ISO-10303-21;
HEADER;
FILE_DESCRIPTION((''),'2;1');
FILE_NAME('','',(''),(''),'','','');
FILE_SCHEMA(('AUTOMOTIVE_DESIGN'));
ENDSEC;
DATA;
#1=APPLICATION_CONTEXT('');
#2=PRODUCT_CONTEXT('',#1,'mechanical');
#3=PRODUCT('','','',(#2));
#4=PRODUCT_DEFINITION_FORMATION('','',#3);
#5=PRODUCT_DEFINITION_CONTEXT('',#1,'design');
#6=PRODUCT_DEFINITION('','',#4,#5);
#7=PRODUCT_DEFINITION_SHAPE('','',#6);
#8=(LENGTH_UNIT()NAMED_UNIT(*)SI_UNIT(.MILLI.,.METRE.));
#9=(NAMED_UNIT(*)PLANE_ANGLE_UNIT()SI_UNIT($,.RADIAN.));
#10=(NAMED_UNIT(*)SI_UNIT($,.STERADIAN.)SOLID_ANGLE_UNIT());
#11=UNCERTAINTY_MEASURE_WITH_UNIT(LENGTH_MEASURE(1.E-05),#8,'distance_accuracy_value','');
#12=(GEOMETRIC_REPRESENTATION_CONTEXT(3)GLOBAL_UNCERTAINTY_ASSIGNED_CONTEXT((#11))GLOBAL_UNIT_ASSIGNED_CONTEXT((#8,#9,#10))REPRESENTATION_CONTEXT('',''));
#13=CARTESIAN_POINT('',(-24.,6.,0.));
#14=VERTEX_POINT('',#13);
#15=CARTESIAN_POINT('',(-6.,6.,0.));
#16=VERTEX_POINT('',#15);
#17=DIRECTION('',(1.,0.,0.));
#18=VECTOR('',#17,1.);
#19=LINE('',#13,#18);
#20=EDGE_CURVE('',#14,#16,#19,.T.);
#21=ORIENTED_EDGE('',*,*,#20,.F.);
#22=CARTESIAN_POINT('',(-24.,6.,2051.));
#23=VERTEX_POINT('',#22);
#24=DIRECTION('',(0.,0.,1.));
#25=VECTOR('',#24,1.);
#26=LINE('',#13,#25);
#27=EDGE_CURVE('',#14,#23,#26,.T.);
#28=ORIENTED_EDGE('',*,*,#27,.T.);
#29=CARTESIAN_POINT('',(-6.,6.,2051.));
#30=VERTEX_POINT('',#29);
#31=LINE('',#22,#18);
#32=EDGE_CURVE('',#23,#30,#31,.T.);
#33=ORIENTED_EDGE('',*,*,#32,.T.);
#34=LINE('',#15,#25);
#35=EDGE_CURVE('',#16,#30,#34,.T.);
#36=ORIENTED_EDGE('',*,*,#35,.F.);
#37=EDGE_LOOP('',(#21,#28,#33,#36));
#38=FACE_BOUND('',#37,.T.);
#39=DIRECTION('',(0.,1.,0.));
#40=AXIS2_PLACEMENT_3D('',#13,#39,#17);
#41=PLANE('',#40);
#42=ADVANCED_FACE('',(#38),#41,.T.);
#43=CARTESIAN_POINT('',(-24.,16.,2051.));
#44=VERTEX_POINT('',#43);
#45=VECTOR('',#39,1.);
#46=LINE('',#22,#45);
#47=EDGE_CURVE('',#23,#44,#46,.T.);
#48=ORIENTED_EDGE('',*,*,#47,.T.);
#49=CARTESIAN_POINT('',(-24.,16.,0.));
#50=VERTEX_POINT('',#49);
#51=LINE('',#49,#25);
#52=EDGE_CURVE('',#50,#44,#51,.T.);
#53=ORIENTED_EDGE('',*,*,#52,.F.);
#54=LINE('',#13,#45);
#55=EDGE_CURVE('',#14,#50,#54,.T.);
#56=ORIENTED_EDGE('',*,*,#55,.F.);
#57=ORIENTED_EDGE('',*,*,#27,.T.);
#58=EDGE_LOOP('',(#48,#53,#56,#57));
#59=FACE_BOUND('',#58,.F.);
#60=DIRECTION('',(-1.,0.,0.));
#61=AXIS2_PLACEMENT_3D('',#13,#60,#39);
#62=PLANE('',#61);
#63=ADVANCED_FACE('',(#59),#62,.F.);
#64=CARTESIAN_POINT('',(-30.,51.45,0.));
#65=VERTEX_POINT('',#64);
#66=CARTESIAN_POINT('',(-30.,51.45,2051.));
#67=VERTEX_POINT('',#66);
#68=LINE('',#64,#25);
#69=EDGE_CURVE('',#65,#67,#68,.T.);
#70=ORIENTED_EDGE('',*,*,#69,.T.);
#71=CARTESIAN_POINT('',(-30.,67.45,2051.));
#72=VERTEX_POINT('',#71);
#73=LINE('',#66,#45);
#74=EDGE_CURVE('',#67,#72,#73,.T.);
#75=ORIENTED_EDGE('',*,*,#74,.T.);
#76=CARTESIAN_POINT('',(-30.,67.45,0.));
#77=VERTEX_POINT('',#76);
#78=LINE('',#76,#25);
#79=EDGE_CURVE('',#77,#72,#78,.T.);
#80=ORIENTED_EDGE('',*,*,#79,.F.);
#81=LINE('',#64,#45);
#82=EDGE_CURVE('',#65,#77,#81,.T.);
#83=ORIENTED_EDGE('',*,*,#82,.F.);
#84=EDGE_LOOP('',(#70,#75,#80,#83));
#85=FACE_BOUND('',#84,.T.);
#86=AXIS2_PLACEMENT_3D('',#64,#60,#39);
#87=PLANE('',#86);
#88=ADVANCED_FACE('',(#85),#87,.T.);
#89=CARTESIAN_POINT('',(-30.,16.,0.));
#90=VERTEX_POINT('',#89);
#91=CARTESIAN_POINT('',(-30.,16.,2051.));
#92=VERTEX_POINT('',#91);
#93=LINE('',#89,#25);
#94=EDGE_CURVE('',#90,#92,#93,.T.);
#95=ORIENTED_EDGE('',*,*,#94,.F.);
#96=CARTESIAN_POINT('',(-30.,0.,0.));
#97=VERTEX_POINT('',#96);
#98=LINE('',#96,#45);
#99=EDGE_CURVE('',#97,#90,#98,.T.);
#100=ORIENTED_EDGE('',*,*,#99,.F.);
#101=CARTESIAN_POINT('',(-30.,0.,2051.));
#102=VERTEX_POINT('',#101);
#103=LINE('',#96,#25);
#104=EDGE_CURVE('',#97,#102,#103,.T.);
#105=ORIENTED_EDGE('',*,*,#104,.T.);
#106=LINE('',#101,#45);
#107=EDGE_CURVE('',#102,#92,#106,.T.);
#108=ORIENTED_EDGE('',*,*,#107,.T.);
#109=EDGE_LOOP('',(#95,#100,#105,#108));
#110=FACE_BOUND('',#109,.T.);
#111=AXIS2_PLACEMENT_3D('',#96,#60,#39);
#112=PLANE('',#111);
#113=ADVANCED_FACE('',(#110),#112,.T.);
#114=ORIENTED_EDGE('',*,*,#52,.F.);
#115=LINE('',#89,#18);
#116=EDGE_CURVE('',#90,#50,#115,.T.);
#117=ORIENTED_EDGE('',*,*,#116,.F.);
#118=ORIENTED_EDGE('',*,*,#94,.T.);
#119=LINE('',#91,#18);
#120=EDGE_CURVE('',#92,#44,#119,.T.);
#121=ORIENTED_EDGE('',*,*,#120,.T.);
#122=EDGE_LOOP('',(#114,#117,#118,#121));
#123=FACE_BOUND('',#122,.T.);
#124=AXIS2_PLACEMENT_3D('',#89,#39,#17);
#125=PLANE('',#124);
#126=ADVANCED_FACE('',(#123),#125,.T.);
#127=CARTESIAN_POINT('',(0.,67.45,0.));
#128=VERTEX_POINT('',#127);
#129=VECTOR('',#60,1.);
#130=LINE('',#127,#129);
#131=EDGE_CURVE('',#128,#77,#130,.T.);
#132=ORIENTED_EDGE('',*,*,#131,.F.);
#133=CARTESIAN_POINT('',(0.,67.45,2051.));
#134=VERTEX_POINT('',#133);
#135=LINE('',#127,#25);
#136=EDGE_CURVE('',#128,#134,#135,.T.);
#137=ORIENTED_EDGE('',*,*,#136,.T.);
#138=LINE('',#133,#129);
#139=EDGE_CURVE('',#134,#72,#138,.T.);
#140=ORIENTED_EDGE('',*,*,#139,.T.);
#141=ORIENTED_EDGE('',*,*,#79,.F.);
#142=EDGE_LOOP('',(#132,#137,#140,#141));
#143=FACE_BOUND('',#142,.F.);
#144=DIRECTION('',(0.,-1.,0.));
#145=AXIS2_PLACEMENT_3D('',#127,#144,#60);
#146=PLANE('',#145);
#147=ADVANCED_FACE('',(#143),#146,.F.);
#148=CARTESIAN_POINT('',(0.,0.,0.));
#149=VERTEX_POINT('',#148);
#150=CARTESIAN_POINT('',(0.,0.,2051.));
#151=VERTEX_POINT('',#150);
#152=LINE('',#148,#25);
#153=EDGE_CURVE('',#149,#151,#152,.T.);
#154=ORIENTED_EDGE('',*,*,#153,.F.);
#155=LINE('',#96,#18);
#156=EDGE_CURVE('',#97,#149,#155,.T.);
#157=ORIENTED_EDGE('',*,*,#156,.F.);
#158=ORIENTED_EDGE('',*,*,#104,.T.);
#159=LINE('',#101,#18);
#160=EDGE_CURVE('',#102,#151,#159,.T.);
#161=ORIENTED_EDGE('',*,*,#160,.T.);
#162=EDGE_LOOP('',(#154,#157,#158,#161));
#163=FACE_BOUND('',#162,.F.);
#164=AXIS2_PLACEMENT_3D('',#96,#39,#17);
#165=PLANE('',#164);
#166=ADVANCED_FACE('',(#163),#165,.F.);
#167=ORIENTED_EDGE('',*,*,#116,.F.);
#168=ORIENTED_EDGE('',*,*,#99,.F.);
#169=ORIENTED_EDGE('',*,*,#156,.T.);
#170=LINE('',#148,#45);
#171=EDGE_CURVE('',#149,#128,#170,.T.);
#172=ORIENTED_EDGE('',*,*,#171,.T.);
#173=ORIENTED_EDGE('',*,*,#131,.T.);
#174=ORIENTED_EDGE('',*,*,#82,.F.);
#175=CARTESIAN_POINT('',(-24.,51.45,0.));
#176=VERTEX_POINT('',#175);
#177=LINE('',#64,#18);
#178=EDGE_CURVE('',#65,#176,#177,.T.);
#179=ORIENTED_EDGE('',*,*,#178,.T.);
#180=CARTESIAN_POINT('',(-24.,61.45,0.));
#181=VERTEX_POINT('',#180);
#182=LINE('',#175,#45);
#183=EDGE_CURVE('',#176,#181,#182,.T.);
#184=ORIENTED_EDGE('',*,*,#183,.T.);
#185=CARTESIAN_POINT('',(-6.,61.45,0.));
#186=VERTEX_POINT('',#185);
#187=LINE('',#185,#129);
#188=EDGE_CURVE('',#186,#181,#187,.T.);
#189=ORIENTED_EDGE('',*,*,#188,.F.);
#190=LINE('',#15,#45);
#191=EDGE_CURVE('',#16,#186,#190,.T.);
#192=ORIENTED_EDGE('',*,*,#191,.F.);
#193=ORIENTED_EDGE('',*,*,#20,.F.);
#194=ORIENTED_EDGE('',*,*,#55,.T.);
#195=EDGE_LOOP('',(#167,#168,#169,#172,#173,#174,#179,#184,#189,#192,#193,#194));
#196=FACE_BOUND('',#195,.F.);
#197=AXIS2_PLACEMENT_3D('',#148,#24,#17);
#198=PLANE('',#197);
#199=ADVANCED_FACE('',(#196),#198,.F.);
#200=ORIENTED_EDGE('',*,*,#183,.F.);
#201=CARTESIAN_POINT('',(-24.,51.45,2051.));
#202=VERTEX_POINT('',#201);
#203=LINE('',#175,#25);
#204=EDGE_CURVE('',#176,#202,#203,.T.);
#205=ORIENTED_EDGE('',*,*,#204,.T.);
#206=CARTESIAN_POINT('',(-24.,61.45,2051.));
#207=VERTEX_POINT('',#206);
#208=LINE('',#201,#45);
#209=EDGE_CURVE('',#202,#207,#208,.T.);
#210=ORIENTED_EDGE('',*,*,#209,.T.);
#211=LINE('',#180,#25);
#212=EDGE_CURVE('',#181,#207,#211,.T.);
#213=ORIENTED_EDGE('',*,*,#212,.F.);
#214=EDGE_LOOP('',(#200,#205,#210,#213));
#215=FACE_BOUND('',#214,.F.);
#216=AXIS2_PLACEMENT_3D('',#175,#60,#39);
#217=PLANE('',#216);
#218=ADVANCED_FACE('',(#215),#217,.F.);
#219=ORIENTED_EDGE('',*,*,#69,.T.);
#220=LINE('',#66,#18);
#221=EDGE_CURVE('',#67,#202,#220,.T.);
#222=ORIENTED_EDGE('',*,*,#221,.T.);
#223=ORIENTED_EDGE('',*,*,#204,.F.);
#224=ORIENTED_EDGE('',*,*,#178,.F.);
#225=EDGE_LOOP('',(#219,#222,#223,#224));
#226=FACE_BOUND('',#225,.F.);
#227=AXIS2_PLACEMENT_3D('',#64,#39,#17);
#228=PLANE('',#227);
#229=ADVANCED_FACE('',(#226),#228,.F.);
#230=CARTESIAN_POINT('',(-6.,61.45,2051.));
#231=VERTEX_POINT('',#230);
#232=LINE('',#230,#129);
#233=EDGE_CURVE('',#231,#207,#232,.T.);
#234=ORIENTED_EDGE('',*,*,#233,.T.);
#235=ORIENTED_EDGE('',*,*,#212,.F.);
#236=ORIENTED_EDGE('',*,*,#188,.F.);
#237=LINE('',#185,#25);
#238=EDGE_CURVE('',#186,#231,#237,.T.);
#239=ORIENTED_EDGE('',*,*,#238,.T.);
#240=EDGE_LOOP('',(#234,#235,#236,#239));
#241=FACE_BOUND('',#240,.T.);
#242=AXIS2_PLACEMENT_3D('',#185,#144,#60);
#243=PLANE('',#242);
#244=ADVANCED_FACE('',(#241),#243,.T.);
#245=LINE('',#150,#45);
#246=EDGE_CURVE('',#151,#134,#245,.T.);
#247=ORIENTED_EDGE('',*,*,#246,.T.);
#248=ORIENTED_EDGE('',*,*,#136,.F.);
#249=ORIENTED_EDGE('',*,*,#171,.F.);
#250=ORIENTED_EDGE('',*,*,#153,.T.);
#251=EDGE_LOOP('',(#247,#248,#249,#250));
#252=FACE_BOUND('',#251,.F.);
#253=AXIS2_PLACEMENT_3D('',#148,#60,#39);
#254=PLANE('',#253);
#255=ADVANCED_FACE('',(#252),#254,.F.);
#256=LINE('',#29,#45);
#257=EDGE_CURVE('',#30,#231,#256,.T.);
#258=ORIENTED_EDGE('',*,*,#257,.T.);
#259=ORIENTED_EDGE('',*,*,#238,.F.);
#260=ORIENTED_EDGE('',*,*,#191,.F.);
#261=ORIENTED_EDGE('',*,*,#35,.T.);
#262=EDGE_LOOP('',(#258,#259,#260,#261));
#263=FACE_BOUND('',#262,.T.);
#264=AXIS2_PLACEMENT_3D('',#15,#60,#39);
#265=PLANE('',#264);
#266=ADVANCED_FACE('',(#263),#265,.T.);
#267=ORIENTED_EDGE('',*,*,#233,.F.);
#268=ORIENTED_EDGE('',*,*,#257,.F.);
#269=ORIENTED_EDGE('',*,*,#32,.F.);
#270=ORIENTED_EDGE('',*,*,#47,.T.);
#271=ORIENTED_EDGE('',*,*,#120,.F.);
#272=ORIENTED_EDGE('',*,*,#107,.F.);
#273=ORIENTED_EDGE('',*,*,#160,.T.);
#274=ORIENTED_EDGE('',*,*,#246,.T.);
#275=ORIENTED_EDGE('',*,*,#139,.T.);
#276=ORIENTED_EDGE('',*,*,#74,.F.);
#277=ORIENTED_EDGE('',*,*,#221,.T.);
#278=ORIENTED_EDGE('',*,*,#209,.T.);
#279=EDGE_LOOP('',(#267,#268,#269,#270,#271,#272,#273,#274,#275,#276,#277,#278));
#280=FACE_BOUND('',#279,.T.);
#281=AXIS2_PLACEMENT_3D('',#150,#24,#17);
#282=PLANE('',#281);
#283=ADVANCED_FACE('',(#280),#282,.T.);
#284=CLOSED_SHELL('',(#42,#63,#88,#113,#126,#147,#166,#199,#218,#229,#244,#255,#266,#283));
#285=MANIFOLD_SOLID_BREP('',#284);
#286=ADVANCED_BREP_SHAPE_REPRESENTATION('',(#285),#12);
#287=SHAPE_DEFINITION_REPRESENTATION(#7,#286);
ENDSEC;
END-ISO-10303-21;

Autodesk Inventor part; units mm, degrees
ref_plane "YZ Plane" through (0, 0, 0) normal (1, 0, 0) x (0, 1, 0)
ref_plane "XZ Plane" through (0, 0, 0) normal (0, 1, 0) x (-1, 0, 0)
ref_plane "XY Plane" through (0, 0, 0) normal (0, 0, 1) x (1, 0, 0)
sketch "Sketch1" plane through (0, 0, 0) normal (0, 0, 1) x (1, 0, 0)
  line L0 (-30, 0) -> (0, 0)
  line L1 (0, 0) -> (0, 67.45)
  line L2 (0, 67.45) -> (-30, 67.45)
  line L3 (0, 67.45) -> (-30, 67.45)
  line L4 (0, 67.45) -> (0, 0)
  line L5 (0, 0) -> (-30, 0)
  line L6 (-6, 61.45) -> (-24, 61.45)
  line L7 (-6, 6) -> (-6, 61.45)
  line L8 (-30, 51.45) -> (-24, 51.45)
  line L9 (-30, 16) -> (-24, 16)
  line L10 (-24, 6) -> (-24, 16)
  line L11 (-24, 51.45) -> (-24, 61.45)
  line L12 (-30, 0) -> (-30, 16)
  line L13 (-30, 51.45) -> (-30, 67.45)
  line L14 (-24, 6) -> (-6, 6)
  line L15 (-200, 67.45) -> (-200, 61.45)
  dimension "d0" = 67.45
  dimension "d1" = 200
  dimension "d2" = 6
  dimension "d3" = 6
  dimension "d10" = 6
  dimension "d11" = 6
  dimension "d12" = 30
  dimension "d13" = 6
  dimension "d14" = 30
  dimension "d17" = 10
  dimension "d18" = 10
extrude "Extrusion1" add sketch "Sketch1" along normal blind 2051
properties part number "X_Rail-C_shape-Rev1"
